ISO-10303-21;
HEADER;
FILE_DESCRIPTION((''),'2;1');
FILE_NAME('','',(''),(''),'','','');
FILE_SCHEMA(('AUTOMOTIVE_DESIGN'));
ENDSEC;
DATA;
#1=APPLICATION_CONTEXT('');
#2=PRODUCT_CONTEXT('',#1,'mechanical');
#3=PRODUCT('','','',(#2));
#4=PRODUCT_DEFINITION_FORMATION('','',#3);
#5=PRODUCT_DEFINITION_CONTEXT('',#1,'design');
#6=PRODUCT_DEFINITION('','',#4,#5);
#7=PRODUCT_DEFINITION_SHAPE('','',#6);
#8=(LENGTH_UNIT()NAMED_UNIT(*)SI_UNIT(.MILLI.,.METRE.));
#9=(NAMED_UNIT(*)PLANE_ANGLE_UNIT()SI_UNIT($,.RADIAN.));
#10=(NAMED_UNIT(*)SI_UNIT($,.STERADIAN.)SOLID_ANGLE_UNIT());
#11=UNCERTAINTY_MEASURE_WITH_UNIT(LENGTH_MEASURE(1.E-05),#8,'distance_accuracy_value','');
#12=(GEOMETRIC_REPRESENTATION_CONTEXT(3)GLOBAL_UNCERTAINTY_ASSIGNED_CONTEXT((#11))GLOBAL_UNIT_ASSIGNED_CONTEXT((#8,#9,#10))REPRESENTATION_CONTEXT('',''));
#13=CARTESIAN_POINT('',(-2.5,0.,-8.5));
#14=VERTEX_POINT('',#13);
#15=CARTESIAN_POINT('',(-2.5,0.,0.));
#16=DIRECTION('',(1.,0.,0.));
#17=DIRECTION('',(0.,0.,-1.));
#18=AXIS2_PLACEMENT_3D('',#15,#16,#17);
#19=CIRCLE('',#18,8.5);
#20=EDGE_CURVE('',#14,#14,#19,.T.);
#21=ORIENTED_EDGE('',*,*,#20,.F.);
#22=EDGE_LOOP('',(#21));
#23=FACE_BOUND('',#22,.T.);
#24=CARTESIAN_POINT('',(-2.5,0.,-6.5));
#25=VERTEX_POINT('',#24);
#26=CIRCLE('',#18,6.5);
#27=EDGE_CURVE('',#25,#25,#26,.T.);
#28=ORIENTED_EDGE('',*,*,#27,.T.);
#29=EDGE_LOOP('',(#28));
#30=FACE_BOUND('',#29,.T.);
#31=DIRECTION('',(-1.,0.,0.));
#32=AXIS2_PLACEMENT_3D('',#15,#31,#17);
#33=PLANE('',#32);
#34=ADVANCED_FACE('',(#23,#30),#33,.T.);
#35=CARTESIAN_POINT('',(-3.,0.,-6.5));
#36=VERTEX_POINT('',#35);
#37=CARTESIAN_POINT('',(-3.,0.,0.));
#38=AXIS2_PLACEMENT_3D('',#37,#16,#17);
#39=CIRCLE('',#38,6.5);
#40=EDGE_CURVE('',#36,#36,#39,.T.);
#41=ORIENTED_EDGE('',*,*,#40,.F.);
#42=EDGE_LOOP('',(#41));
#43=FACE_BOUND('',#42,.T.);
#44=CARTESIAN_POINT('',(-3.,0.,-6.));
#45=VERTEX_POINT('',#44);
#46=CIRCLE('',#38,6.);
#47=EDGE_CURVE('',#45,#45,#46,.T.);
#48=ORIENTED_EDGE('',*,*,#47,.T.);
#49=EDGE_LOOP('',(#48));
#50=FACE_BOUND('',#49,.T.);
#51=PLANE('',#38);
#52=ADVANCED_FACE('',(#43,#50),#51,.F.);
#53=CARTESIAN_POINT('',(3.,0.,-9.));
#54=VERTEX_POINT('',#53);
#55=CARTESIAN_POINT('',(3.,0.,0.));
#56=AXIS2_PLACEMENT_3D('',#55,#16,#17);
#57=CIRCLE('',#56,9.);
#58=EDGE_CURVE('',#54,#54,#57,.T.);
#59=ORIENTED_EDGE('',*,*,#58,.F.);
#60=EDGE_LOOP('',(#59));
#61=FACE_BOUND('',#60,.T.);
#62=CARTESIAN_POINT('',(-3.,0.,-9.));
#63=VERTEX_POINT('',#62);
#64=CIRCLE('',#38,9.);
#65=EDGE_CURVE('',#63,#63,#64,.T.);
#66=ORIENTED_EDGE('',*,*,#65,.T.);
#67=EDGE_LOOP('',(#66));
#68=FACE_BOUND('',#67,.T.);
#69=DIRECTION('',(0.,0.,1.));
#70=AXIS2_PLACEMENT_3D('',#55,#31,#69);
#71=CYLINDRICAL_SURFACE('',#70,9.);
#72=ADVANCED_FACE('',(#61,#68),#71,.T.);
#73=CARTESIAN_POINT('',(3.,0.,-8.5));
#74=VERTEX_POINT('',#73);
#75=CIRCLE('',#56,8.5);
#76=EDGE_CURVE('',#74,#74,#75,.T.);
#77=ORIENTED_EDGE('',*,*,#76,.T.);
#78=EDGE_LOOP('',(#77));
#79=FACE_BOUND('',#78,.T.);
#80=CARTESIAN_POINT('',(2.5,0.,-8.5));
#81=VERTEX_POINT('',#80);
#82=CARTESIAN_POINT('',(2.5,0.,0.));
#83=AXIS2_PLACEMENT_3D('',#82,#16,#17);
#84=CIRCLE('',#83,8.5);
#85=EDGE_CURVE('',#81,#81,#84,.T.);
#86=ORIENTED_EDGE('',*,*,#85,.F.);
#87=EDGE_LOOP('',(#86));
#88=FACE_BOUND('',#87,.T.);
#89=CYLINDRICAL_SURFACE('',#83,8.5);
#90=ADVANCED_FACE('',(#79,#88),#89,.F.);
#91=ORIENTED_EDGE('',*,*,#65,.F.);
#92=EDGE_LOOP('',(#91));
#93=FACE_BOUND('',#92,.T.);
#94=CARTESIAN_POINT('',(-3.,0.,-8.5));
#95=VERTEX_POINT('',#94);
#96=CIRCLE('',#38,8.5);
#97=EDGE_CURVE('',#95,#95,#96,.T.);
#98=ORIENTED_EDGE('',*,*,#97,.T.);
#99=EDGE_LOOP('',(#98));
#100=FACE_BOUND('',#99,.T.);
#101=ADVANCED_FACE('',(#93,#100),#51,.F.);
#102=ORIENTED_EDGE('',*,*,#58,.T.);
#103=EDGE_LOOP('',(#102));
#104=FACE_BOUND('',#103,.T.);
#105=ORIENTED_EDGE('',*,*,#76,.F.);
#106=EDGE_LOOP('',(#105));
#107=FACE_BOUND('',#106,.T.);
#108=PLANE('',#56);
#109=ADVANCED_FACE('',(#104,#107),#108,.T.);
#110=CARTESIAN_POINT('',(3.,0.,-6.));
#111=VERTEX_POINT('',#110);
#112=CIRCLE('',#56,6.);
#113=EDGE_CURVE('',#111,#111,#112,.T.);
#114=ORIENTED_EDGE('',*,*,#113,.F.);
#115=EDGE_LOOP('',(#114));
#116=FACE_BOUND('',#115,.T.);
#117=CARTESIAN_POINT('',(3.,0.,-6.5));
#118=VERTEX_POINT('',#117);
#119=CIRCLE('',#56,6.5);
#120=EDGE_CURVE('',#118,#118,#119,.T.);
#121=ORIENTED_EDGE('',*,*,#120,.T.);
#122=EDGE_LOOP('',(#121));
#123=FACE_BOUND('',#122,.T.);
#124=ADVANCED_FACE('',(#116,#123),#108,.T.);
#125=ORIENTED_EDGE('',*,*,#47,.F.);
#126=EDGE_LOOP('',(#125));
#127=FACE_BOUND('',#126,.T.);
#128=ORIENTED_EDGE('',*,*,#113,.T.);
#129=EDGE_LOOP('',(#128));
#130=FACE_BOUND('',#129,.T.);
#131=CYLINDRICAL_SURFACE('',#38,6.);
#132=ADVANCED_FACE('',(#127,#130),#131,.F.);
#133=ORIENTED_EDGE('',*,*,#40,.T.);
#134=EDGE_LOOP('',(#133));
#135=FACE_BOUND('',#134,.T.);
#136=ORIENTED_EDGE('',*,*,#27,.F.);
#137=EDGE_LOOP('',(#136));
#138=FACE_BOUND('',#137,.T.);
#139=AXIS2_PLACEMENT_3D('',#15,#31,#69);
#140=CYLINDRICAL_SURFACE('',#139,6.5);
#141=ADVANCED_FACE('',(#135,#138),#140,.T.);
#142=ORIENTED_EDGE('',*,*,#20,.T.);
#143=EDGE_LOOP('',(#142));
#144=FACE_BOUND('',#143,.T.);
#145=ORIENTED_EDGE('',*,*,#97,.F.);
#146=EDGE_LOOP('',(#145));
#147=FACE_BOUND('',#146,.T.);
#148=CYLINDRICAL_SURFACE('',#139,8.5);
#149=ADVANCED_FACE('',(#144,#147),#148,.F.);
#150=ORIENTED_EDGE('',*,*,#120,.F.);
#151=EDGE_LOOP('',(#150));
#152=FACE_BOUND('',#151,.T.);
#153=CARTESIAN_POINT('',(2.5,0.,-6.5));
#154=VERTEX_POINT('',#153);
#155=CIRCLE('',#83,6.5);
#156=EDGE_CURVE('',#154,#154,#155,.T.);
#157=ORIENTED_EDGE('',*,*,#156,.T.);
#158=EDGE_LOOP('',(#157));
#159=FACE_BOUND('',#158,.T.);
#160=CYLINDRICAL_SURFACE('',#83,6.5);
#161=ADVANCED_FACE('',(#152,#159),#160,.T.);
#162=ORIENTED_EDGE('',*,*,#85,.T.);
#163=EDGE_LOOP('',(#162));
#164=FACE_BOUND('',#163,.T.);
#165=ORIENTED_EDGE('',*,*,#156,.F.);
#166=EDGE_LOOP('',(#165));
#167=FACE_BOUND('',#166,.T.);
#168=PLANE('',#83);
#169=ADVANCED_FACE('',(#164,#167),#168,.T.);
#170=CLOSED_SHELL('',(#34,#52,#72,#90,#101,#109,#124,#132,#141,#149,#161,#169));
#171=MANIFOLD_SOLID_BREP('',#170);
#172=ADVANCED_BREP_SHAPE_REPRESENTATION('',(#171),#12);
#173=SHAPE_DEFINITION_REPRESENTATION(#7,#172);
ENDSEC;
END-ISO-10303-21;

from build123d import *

# Parameters (mm, degrees)
SKETCH2_R           = 9
BOSS_EXTRUDE1_DEPTH = 3
SKETCH3_R           = 6
CUT_EXTRUDE1_DEPTH  = 6
SKETCH4_R           = 8.5
SKETCH4_R_2         = 7.5
SKETCH4_R_3         = 6.5
CUT_EXTRUDE2_DEPTH  = 0.5


with BuildPart() as part:
    # Sketch2 → Boss-Extrude1 (new, symmetric)
    with BuildSketch(Plane(origin=(0, 0, 0), x_dir=(0, 0, -1), z_dir=(1, 0, 0))):
        Circle(SKETCH2_R)
    extrude(amount=BOSS_EXTRUDE1_DEPTH, both=True)

    # Sketch3 → Cut-Extrude1 (cut)
    with BuildSketch(Plane(origin=(3, 0, 0), x_dir=(0, 0, -1), z_dir=(1, 0, 0))):
        Circle(SKETCH3_R)
    extrude(amount=-CUT_EXTRUDE1_DEPTH, mode=Mode.SUBTRACT)

    # Sketch4 → Cut-Extrude2 (cut)
    with BuildSketch(Plane(origin=(3, 0, 0), x_dir=(0, 0, -1), z_dir=(1, 0, 0))):
        Circle(SKETCH4_R)
        Circle(SKETCH4_R_2, mode=Mode.SUBTRACT)
        Circle(SKETCH4_R_2)
        Circle(SKETCH4_R_3, mode=Mode.SUBTRACT)
    cut_extrude2 = extrude(amount=-CUT_EXTRUDE2_DEPTH, mode=Mode.SUBTRACT)

    # Mirror1: Cut-Extrude2 across plane
    add(cut_extrude2.mirror(Plane(origin=(0, 0, 0), x_dir=(0, 0, 1), z_dir=(1, 0, 0))), mode=Mode.SUBTRACT)


solid = part.part
